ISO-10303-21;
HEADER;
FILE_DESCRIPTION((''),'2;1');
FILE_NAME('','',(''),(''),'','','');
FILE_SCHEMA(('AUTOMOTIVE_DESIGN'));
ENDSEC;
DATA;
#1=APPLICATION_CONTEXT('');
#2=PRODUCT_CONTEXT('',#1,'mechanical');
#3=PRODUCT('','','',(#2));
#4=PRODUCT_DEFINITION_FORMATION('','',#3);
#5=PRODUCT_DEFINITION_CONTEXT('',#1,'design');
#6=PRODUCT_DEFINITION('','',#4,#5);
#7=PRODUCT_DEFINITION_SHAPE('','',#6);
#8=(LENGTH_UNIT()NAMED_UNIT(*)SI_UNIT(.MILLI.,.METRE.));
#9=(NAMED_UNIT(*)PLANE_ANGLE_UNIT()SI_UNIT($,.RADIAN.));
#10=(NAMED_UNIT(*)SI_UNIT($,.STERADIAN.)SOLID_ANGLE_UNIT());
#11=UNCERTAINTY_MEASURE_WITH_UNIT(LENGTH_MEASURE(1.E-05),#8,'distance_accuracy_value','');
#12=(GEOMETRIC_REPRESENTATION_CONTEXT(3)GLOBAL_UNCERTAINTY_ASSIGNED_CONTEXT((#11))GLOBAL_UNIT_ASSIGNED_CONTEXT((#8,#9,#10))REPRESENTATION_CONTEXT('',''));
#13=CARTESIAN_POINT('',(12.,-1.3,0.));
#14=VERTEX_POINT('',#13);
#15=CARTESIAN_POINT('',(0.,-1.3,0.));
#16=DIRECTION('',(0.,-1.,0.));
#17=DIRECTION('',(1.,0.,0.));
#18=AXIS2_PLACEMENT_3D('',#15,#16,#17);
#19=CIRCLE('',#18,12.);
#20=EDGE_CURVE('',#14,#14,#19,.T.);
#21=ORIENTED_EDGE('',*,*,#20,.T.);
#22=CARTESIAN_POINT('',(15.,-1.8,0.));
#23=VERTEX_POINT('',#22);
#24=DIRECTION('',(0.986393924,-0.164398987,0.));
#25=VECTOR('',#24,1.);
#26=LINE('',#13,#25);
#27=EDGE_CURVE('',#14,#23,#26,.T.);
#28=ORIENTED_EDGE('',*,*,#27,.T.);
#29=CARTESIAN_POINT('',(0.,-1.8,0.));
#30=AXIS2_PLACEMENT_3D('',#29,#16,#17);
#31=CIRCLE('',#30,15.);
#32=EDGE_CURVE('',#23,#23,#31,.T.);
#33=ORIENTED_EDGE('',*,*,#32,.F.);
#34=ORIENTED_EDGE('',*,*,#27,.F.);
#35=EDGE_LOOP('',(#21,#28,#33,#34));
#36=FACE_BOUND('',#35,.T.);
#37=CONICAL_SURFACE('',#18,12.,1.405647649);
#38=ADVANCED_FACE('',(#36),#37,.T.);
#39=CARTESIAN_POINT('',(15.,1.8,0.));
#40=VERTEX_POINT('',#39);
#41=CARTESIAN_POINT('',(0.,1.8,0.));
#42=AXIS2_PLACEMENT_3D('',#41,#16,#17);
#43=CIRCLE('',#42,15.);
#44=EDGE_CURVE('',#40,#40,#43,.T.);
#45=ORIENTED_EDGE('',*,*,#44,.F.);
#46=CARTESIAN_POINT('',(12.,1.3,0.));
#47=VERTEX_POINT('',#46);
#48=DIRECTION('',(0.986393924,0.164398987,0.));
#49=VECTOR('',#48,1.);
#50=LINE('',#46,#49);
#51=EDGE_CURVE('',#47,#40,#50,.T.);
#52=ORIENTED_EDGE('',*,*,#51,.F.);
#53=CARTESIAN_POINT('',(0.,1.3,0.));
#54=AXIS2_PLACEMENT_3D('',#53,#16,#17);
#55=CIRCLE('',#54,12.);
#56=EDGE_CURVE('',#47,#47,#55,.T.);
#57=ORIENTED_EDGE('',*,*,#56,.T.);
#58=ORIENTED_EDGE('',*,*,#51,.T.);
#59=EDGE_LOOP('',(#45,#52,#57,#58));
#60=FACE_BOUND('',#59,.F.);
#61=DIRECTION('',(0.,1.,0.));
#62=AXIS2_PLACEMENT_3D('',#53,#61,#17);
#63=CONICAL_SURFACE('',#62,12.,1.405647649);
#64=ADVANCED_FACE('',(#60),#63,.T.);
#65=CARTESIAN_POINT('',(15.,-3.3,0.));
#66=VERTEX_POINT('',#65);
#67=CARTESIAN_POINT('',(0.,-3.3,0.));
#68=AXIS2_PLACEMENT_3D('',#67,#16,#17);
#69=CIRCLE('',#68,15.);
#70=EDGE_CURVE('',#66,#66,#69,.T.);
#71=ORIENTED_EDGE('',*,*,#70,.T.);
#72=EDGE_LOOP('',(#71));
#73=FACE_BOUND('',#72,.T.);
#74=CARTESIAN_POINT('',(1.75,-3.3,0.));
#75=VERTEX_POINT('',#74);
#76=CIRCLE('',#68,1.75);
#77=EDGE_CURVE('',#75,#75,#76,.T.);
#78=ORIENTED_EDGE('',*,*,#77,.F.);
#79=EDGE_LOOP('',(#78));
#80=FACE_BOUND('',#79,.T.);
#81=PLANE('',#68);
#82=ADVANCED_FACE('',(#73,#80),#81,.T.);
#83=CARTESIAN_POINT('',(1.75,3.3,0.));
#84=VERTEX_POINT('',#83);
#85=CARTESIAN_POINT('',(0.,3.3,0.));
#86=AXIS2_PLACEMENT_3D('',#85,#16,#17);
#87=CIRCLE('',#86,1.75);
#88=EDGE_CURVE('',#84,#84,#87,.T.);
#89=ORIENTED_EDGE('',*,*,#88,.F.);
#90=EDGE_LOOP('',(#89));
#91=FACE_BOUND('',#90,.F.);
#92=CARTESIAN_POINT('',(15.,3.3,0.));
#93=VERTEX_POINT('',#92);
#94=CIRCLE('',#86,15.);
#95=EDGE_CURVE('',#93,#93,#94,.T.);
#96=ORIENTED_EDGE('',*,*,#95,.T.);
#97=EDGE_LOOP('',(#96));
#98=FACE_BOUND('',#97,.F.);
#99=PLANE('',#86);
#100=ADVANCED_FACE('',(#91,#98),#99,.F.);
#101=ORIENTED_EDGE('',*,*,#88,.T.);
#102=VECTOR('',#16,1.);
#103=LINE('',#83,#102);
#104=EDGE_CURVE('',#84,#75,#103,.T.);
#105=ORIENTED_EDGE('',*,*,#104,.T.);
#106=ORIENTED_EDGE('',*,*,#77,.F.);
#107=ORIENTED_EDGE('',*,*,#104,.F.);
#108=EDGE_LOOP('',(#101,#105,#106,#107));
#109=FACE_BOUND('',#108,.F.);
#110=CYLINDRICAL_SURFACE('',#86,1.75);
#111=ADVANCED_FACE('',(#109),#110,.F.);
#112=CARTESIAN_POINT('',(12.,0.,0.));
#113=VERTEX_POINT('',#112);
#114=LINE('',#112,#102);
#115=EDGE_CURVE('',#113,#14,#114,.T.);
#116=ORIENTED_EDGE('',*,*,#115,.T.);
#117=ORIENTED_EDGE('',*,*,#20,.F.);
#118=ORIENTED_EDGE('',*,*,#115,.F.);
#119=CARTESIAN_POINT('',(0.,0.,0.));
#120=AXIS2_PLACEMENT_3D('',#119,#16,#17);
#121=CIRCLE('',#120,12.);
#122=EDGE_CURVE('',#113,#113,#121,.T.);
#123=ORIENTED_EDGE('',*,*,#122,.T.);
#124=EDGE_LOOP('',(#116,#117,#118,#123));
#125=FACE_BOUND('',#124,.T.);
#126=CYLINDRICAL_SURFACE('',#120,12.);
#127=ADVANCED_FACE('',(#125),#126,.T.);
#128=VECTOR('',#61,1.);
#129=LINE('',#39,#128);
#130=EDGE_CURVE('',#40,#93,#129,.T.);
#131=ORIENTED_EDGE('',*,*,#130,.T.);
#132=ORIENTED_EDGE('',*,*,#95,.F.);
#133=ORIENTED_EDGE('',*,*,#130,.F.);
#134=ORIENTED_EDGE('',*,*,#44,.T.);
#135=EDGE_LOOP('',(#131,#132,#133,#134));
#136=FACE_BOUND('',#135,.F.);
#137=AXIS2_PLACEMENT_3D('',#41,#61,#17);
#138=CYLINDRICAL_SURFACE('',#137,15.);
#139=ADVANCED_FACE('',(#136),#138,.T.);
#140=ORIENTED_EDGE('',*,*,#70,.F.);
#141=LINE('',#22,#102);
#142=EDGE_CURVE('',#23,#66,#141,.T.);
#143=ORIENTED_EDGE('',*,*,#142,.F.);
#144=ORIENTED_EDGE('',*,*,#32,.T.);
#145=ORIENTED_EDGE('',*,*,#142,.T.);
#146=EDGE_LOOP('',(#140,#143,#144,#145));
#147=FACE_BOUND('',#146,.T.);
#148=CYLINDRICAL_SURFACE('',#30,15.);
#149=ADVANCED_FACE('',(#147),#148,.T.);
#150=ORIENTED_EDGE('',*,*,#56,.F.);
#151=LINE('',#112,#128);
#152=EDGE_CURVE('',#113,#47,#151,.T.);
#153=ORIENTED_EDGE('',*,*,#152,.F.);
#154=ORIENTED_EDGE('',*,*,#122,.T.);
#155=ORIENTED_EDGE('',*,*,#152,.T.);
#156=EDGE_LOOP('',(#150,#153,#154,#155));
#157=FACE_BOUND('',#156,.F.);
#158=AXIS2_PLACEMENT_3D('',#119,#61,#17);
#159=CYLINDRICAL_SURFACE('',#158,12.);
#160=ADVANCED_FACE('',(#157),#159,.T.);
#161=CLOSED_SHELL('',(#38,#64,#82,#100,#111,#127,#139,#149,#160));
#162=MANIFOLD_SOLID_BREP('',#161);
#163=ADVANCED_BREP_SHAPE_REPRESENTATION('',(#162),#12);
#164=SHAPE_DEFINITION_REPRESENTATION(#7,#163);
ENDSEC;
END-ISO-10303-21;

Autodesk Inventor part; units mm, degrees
ref_plane "YZ Plane" through (0, 0, 0) normal (1, 0, 0) x (0, 1, 0)
ref_plane "XZ Plane" through (0, 0, 0) normal (0, 1, 0) x (-1, 0, 0)
ref_plane "XY Plane" through (0, 0, 0) normal (0, 0, 1) x (1, 0, 0)
sketch "스케치1" plane through (0, 0, 0) normal (0, 0, 1) x (1, 0, 0)
  line L0 (0, 0) -> (12, 0) construction
  line L1 (12, 0) -> (12, 1.3)
  line L2 (12, 1.3) -> (15, 1.8)
  line L3 (15, 1.8) -> (15, 3.3)
  line L4 (15, 3.3) -> (0, 3.3)
  line L5 (0, 3.3) -> (0, 0)
  line L6 (12, 0) -> (12, -1.3)
  line L7 (12, -1.3) -> (15, -1.8)
  line L8 (15, -1.8) -> (15, -3.3)
  line L9 (15, -3.3) -> (0, -3.3)
  line L10 (0, -3.3) -> (0, 0)
  line L11 (1.75, 3.3) -> (1.75, -3.3)
  dimension "d0" = 3.3
  dimension "d1" = 15
  dimension "d2" = 12
  dimension "d3" = 0.5
  dimension "d4" = 1.5
  dimension "d6" = 1.75
revolve "회전1" add sketch "스케치1" angle 360 about axis through (0, 3.3, 0) along (0, -1, 0) contours L6 L7 L8 L9 L11 L4 L3 L2 L1
properties part number "회전 축 휠"
